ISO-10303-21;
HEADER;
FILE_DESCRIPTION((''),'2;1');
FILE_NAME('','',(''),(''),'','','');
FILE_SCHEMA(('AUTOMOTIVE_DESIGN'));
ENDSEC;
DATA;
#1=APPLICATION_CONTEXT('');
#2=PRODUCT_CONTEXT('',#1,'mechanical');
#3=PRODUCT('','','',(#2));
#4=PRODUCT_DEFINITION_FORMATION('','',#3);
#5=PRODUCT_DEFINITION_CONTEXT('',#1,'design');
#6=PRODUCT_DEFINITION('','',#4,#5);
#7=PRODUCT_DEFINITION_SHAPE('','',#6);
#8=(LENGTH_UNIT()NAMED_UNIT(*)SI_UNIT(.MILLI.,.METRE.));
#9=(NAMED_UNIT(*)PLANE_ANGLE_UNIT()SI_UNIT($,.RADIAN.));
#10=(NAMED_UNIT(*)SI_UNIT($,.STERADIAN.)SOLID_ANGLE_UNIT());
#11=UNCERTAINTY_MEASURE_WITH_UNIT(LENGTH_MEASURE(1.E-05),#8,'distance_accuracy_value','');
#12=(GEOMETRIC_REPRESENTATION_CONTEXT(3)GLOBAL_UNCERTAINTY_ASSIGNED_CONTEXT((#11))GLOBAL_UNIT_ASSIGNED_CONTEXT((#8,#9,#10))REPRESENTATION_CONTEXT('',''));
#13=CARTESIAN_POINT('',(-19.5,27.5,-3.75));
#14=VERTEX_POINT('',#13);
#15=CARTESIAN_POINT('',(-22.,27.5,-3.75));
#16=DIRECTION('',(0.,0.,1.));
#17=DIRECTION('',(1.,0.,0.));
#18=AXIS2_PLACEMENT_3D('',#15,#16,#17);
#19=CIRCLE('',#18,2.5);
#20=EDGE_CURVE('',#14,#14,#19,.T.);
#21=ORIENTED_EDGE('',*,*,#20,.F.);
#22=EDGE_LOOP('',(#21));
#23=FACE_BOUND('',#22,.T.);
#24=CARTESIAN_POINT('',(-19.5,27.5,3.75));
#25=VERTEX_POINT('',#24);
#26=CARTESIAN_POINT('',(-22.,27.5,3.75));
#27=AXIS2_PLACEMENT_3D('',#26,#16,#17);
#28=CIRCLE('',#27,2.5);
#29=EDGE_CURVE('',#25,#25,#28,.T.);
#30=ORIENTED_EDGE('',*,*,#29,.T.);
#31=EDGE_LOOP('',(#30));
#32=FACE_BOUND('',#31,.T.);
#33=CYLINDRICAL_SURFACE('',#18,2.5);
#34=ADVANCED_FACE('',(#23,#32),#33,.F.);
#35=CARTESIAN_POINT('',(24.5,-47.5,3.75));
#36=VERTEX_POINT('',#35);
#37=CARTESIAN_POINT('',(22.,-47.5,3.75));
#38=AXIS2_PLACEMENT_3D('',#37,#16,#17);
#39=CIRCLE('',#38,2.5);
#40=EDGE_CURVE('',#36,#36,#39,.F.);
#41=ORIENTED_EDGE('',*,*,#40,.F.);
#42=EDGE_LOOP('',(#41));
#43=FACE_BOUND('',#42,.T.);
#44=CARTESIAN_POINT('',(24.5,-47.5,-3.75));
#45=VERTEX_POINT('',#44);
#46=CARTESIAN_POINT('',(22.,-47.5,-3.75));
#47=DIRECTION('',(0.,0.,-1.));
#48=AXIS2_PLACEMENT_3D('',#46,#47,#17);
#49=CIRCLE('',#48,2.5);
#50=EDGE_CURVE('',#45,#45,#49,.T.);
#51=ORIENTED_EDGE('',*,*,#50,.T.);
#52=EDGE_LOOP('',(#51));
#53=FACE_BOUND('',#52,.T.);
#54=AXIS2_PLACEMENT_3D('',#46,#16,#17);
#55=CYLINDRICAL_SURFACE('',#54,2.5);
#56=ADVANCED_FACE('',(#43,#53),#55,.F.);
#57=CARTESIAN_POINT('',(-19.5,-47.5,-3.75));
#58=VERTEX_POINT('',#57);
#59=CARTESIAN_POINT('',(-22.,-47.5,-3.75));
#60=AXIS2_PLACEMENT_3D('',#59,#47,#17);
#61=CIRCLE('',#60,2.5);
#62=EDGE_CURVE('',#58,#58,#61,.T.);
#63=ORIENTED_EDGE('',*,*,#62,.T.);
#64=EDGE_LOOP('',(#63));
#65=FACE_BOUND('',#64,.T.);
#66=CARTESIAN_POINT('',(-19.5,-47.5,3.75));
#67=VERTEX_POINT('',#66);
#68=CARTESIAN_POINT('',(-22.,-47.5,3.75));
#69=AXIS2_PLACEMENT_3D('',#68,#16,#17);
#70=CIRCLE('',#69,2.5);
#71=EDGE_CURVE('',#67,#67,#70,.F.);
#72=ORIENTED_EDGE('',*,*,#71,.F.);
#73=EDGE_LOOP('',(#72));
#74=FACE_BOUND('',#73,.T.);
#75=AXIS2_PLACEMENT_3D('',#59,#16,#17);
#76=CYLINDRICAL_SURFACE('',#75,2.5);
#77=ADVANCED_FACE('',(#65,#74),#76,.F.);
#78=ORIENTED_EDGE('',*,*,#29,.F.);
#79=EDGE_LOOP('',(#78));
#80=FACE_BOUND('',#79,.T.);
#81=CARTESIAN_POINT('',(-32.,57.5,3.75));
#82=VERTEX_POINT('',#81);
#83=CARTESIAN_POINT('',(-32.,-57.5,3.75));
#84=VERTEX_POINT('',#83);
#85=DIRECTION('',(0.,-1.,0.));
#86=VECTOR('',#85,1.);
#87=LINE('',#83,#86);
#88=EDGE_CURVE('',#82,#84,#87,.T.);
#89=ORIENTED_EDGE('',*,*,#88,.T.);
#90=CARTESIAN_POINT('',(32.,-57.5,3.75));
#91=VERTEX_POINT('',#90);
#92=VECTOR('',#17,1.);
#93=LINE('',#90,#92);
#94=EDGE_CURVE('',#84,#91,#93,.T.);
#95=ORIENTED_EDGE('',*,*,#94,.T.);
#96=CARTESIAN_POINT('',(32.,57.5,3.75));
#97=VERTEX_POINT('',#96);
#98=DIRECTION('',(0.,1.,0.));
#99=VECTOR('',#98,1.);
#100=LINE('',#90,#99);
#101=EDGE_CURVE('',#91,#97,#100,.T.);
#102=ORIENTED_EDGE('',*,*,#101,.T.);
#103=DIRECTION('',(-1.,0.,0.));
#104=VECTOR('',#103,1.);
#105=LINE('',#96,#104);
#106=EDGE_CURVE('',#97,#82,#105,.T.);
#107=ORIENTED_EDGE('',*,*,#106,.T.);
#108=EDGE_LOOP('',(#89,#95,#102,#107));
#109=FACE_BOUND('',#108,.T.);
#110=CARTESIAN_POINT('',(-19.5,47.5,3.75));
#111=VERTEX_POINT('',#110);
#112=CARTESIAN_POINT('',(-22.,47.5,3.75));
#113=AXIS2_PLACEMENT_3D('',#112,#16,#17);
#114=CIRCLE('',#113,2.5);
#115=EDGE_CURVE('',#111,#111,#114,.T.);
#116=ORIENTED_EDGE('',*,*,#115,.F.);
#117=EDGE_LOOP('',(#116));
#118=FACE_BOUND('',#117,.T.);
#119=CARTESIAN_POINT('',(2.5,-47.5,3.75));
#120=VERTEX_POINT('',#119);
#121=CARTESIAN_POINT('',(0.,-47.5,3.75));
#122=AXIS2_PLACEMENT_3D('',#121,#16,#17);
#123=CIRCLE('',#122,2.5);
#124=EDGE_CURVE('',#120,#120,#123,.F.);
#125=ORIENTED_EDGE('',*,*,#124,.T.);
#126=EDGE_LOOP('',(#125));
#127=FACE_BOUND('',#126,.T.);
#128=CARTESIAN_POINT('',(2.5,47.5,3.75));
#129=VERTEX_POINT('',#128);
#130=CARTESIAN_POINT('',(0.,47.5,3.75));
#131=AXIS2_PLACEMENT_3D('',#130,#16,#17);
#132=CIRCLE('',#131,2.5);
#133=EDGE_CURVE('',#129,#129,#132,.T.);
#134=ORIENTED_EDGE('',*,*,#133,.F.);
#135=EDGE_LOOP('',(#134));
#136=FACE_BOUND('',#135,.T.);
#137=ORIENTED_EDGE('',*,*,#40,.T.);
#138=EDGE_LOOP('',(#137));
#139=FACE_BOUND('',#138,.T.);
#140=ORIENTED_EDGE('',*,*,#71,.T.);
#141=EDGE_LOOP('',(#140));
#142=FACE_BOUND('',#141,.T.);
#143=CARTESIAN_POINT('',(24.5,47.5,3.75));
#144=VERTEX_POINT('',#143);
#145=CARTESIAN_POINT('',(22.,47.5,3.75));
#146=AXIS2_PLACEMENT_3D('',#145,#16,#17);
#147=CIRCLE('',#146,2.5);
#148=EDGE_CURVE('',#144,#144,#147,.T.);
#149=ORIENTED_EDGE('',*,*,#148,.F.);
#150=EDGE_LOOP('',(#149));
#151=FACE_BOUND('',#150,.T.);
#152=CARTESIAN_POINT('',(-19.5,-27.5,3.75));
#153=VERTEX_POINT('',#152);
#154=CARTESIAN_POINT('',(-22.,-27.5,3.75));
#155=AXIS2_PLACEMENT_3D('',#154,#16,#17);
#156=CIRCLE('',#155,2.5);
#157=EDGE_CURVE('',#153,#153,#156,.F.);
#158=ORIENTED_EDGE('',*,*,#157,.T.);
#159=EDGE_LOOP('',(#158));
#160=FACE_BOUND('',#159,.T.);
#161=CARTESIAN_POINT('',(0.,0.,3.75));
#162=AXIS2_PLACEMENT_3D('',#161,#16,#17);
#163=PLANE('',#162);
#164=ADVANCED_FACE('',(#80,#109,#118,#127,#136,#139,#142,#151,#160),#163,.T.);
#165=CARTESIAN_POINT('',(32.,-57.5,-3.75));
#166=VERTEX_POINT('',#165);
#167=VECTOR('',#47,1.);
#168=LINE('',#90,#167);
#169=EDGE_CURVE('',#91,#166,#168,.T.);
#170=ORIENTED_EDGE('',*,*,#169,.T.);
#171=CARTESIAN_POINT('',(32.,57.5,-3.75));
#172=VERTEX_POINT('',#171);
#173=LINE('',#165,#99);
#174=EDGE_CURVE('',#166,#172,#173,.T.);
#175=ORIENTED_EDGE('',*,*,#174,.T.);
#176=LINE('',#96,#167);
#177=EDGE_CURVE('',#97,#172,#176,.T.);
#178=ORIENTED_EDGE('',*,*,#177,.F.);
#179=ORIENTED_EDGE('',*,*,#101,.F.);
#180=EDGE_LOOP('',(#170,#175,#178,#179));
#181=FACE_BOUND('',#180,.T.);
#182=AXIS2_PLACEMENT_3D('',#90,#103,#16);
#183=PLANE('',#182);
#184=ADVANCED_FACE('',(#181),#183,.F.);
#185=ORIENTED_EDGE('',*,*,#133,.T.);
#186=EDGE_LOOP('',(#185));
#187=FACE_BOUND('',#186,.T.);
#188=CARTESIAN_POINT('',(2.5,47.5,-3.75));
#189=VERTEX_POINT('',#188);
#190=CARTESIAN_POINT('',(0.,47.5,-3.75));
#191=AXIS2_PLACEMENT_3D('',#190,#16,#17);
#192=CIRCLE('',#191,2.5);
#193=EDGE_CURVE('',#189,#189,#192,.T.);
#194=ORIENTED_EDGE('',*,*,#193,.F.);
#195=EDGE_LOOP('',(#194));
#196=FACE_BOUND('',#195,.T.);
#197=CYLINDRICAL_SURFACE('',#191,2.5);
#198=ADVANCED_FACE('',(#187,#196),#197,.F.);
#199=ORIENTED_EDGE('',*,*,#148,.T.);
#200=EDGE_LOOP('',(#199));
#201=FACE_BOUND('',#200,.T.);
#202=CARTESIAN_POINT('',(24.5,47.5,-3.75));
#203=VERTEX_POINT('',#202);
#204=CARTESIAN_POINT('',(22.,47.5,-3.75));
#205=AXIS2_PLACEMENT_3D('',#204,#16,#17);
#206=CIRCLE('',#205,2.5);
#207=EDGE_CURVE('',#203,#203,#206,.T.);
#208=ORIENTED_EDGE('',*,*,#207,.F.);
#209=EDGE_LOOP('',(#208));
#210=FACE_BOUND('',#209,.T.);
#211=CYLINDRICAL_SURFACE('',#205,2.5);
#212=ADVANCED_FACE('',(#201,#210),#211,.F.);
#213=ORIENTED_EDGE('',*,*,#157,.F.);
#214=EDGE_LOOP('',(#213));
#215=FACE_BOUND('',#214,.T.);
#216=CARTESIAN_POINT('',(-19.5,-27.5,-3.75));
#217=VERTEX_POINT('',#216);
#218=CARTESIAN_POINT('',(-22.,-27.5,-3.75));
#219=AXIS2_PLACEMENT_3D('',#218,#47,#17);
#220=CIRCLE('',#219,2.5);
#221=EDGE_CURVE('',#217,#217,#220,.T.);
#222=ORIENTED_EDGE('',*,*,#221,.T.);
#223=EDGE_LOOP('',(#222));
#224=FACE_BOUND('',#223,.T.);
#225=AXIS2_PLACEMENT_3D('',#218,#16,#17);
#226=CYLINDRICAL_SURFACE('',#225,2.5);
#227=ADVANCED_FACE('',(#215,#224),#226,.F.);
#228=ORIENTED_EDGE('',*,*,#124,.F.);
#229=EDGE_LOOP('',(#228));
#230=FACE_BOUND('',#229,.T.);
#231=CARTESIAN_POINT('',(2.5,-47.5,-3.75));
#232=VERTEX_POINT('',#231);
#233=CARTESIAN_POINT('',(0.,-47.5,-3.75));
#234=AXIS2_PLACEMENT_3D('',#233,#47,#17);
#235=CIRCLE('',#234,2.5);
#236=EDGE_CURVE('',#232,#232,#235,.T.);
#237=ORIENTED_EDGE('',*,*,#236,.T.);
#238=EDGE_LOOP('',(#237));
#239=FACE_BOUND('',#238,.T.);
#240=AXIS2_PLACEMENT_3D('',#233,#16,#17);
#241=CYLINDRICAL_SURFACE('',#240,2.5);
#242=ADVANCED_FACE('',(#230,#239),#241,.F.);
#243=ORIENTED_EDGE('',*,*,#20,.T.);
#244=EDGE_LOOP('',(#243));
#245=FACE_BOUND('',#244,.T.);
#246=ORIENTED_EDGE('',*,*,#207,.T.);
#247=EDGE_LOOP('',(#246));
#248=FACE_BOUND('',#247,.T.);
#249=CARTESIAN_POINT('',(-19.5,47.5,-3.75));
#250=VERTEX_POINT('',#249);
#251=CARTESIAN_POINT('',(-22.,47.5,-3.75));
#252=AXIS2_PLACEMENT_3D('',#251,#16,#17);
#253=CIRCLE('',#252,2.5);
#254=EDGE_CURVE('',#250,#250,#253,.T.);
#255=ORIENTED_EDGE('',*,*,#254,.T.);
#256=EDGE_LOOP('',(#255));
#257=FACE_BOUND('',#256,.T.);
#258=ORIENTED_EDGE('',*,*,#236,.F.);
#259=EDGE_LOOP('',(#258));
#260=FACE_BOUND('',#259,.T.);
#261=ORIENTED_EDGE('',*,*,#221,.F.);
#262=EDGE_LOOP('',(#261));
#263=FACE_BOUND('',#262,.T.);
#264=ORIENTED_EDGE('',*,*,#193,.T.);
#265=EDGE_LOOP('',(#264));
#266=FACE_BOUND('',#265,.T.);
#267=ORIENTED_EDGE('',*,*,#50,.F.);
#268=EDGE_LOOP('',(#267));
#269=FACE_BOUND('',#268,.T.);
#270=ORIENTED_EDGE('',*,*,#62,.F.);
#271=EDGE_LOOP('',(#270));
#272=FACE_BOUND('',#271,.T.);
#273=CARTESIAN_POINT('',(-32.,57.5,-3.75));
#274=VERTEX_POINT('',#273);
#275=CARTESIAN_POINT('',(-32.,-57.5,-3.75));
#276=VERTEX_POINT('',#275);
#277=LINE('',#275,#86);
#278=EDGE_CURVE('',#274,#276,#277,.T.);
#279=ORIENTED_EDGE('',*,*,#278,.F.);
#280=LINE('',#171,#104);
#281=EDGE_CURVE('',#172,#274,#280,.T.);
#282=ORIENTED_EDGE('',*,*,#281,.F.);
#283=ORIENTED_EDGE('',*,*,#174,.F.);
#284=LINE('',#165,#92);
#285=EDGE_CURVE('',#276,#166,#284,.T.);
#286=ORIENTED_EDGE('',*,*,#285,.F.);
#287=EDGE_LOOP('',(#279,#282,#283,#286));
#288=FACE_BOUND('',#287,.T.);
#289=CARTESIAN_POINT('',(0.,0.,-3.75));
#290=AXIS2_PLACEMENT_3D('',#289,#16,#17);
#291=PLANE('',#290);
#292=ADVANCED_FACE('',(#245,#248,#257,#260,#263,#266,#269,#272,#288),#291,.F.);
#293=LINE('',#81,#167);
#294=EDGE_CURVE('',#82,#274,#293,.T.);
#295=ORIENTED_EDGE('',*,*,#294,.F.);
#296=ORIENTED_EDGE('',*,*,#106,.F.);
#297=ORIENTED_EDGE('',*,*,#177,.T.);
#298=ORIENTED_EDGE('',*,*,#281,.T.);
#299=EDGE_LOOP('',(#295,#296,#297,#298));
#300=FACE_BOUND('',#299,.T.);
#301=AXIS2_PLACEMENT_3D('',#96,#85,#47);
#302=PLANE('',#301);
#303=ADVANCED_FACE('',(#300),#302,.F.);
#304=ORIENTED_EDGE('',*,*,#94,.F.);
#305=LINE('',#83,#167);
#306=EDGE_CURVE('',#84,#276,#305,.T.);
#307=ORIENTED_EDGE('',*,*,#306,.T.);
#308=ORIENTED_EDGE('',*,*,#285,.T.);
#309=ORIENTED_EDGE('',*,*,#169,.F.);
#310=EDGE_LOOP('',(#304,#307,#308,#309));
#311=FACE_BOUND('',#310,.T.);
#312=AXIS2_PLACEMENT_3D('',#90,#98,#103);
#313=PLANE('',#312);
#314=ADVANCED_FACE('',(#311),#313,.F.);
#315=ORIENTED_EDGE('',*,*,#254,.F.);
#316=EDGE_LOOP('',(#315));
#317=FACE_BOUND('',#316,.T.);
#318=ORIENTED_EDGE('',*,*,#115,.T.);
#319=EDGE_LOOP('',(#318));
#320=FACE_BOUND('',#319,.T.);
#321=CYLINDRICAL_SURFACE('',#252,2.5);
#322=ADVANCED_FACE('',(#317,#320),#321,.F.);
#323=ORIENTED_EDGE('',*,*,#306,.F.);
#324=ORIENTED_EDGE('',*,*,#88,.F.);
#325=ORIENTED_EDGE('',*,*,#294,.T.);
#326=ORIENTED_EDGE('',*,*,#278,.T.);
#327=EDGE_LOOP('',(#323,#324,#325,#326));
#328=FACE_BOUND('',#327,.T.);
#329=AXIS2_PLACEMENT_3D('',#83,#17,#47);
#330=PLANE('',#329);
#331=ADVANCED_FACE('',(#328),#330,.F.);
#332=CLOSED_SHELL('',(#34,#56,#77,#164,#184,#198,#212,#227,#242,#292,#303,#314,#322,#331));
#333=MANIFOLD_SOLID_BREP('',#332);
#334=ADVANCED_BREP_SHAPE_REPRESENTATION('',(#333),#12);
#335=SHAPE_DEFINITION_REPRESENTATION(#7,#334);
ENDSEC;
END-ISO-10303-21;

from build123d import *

# Parameters (mm, degrees)
SKETCH1_W           = 64
SKETCH1_H           = 115
BOSS_EXTRUDE1_DEPTH = 3.75
SKETCH2_R           = 2.5
CUT_EXTRUDE1_DEPTH  = 67.230657554


with BuildPart() as part:
    # Sketch1 → Boss-Extrude1 (new, symmetric)
    with BuildSketch(Plane.XY):
        Rectangle(SKETCH1_W, SKETCH1_H)
    extrude(amount=BOSS_EXTRUDE1_DEPTH, both=True)

    # Sketch2 → Cut-Extrude1 (cut, symmetric)
    with BuildSketch(Plane.XY.offset(3.75)):
        with Locations((-22, 47.5)):
            Circle(SKETCH2_R)
        with Locations((0, 47.5)):
            Circle(SKETCH2_R)
        with Locations((22, 47.5)):
            Circle(SKETCH2_R)
        with Locations((-22, 27.5)):
            Circle(SKETCH2_R)
    cut_extrude1 = extrude(amount=CUT_EXTRUDE1_DEPTH, both=True, mode=Mode.SUBTRACT)

    # Mirror1: Cut-Extrude1 across plane
    add(cut_extrude1.mirror(Plane.ZX), mode=Mode.SUBTRACT)


solid = part.part
